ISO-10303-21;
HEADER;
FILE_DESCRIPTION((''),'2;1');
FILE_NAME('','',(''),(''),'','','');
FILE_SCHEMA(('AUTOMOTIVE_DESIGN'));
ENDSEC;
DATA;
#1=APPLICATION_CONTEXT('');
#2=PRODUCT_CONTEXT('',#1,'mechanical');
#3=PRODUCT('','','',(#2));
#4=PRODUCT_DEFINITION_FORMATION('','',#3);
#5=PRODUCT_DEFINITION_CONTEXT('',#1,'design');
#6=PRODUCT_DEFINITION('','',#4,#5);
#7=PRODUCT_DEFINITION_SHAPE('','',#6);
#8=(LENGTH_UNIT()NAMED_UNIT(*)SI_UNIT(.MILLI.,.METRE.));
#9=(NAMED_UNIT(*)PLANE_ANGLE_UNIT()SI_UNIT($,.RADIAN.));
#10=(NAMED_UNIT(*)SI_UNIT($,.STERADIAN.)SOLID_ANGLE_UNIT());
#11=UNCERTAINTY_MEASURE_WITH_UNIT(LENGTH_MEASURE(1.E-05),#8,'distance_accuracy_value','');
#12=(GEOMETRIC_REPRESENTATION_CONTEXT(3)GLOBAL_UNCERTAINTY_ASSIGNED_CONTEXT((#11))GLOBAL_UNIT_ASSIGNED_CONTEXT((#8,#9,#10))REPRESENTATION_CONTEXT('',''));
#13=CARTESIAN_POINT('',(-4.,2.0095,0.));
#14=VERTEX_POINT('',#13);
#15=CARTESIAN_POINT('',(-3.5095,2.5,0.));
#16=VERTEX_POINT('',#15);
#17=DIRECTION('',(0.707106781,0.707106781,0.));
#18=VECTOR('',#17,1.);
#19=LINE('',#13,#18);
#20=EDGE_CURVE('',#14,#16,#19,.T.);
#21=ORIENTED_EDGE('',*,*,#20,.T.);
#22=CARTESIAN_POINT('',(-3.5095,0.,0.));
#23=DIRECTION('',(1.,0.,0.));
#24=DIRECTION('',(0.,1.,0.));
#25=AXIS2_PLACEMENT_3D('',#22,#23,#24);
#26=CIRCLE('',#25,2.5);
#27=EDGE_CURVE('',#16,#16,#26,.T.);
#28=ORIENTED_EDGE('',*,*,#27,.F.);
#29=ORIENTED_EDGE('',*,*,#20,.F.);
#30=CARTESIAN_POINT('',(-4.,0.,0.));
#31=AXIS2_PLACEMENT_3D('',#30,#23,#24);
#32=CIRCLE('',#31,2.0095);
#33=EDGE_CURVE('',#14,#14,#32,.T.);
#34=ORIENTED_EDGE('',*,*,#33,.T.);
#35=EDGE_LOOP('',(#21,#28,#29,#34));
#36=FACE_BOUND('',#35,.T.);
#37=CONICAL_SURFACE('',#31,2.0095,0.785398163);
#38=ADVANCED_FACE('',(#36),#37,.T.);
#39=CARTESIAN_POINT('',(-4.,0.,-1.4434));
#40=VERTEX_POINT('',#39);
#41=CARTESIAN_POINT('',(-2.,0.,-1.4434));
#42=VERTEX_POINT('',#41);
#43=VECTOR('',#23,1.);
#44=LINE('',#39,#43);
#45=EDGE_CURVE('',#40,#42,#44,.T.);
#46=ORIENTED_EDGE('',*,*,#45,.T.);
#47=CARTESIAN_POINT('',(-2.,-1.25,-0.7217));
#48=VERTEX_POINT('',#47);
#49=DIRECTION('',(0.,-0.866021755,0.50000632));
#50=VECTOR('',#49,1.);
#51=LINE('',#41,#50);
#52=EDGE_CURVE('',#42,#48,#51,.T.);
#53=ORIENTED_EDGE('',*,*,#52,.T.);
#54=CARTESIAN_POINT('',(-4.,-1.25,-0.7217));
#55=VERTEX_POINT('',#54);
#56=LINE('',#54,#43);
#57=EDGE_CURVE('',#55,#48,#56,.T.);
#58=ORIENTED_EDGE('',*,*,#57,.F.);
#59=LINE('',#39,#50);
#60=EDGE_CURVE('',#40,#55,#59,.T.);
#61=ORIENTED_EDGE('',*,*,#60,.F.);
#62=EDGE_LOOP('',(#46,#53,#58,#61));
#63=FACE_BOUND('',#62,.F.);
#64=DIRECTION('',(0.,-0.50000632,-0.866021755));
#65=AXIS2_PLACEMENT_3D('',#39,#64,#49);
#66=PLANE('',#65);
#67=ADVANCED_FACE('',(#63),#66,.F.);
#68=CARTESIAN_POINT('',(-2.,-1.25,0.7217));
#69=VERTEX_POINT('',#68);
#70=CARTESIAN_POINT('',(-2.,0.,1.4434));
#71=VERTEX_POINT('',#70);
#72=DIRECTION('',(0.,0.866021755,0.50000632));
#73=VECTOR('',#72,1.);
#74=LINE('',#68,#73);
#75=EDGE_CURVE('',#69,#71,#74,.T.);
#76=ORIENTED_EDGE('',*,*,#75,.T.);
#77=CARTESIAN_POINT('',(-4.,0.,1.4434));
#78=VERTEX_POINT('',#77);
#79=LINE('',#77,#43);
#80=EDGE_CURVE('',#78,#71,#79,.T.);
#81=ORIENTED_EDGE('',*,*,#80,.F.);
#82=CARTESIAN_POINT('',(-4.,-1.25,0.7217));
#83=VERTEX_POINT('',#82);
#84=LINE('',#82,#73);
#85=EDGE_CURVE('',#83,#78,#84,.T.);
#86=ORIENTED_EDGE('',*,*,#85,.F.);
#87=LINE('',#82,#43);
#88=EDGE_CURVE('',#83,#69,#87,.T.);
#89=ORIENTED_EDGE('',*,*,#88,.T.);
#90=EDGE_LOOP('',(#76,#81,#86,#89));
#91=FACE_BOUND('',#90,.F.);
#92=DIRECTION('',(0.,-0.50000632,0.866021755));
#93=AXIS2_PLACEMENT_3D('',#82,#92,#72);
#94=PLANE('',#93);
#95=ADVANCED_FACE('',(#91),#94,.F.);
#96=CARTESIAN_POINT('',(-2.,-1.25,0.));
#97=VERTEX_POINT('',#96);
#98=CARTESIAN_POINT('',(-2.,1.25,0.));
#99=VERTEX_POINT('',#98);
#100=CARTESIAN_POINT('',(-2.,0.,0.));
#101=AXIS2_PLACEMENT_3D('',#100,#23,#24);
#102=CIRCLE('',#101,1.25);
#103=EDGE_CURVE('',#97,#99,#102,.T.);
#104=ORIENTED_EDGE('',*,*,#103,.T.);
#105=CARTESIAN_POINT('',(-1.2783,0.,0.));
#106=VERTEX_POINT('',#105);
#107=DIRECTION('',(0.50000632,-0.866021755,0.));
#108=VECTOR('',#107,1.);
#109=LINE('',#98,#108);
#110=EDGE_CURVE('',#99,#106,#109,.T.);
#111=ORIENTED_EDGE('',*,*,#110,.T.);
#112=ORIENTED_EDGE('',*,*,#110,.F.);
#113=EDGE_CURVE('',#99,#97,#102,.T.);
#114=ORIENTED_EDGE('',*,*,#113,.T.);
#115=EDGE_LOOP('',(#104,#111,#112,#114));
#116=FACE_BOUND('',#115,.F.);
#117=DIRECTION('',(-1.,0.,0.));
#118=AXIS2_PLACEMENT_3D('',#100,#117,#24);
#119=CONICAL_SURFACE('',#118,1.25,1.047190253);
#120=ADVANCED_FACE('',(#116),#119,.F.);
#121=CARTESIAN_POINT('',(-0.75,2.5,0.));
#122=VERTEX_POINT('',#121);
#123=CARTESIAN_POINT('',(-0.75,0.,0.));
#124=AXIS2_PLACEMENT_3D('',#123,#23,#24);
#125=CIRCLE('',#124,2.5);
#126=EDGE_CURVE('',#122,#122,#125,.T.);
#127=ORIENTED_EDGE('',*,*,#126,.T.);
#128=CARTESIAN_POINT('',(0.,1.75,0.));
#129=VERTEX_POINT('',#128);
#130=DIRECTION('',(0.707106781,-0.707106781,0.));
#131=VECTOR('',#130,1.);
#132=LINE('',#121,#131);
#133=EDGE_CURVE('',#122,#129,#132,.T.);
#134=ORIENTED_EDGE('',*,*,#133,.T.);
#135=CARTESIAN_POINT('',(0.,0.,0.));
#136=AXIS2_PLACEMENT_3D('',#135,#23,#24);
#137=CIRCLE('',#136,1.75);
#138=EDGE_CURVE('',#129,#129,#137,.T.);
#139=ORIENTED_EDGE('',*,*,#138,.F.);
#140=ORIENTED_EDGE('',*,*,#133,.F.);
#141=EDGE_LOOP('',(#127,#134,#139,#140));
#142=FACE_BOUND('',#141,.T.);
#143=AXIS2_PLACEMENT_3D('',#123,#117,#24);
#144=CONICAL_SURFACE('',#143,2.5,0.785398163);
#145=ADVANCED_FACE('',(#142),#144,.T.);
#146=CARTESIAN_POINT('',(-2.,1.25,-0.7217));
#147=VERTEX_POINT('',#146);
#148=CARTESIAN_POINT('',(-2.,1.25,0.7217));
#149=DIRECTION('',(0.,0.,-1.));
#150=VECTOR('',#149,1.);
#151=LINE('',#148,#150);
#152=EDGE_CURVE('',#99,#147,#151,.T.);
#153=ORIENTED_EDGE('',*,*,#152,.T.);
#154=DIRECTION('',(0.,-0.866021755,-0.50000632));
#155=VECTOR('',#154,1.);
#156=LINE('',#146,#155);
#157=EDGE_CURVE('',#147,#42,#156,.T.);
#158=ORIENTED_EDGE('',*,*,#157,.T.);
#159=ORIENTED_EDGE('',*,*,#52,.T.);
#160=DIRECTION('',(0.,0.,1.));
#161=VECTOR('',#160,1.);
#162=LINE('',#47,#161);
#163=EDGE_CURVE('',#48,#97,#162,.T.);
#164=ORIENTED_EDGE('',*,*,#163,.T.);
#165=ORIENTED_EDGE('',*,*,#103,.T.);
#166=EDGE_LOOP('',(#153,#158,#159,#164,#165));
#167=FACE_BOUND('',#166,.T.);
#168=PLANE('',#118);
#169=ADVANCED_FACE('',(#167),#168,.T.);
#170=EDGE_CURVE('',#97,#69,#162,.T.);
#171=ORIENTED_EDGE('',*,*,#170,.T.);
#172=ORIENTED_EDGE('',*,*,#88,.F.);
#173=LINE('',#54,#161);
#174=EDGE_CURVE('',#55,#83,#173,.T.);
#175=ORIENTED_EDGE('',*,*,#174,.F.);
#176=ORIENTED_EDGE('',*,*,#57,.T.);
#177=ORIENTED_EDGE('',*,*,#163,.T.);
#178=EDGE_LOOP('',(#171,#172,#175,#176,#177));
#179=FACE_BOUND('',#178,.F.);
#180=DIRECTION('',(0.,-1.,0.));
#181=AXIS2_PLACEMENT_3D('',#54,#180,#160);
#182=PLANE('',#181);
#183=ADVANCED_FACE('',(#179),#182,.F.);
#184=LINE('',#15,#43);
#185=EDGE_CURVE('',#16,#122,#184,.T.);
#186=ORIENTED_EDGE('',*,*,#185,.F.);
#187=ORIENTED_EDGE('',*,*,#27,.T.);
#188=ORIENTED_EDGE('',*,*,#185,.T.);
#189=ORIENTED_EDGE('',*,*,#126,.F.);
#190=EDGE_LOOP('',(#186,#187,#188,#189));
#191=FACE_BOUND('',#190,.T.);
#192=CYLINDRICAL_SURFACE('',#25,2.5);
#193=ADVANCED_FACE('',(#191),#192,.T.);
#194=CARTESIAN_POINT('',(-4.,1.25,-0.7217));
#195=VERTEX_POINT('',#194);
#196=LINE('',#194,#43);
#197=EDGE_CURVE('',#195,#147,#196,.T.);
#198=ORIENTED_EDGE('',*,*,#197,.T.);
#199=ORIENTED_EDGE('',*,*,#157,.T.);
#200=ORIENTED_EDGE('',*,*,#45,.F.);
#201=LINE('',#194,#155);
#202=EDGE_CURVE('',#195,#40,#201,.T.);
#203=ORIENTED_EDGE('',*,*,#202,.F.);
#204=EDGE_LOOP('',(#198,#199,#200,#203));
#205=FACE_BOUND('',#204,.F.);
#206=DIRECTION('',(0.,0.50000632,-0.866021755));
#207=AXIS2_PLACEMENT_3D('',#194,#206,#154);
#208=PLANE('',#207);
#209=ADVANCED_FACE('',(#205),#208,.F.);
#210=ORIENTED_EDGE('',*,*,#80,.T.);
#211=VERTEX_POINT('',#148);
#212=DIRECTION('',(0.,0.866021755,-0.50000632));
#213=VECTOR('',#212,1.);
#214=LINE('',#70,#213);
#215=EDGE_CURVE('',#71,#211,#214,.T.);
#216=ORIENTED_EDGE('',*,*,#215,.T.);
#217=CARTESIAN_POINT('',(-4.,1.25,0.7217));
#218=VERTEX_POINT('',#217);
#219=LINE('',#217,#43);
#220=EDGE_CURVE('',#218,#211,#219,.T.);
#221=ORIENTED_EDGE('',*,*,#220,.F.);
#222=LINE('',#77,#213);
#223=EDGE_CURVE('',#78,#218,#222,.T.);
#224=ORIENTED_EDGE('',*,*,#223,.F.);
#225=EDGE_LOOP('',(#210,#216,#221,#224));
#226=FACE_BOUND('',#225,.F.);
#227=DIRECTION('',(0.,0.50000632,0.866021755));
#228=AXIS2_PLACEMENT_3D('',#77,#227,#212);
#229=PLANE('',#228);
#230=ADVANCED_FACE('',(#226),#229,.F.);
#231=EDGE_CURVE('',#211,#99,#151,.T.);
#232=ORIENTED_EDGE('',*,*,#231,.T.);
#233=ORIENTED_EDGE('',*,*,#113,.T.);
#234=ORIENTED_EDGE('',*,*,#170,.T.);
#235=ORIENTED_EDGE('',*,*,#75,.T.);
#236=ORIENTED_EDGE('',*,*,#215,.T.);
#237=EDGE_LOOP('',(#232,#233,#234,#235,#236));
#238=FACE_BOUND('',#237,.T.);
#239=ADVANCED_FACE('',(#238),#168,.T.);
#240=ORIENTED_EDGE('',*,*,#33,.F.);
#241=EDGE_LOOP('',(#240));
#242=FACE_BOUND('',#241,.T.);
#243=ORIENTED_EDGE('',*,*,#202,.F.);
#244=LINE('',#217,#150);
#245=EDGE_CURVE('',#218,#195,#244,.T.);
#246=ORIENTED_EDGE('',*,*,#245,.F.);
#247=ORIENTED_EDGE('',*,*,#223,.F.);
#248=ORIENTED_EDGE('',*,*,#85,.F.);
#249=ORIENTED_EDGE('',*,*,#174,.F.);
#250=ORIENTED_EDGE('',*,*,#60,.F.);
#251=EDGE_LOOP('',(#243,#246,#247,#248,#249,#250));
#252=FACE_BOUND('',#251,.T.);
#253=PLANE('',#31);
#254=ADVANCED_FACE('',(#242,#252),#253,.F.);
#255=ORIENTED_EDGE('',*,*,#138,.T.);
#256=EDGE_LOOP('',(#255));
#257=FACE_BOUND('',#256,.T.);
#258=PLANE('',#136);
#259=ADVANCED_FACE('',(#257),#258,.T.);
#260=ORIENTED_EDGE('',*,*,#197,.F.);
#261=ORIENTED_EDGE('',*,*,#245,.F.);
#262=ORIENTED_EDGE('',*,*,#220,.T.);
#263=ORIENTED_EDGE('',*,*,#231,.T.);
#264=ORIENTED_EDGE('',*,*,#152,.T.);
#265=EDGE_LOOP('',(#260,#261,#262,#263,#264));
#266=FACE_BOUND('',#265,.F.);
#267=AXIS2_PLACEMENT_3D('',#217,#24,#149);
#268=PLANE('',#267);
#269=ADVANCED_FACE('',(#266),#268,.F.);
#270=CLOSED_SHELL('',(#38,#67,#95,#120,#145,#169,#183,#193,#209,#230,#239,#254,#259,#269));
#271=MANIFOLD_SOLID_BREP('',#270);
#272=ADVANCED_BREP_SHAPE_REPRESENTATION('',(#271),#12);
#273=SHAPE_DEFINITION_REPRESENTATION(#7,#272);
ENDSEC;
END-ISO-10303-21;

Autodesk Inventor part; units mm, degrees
sketch "Sketch_1" plane through (0, 0, 0) normal (0, 0, 1) x (1, 0, 0)
  line L0 (0, 0) -> (-4, 0)
  line L1 (-4, 0) -> (-4, 2.0095)
  line L2 (-4, 2.0095) -> (-3.5095, 2.5)
  line L3 (-3.5095, 2.5) -> (-0.75, 2.5)
  line L4 (-0.75, 2.5) -> (0, 1.75)
  line L5 (0, 1.75) -> (0, 0)
  line L6 (0, 0) -> (-4, 0)
revolve "Revolution1" add sketch "Sketch_1" angle 360 about axis through (0, 0, 0) along (1, 0, 0)
thread "Thread1" size "M5x0.8" class "6g" standard "ISO Metric profile" full length
sketch "Sketch_2" plane through (-4, 0, 0) normal (-1, 0, 0) x (0, 1, 0)
  line L0 (-1.25, 0.7217) -> (-1.25, -0.7217)
  line L1 (-1.25, -0.7217) -> (0, -1.4434)
  line L2 (0, -1.4434) -> (1.25, -0.7217)
  line L3 (1.25, -0.7217) -> (1.25, 0.7217)
  line L4 (1.25, 0.7217) -> (0, 1.4434)
  line L5 (0, 1.4434) -> (-1.25, 0.7217)
extrude "Extrusion1" cut sketch "Sketch_2" against normal blind 2
sketch "Sketch_3" plane through (0, 0, 0) normal (0, 0, 1) x (1, 0, 0)
  line L0 (-1.2783, 0) -> (-2, 0)
  line L1 (-2, 0) -> (-2, 1.25)
  line L2 (-2, 1.25) -> (-1.2783, 0)
  line L3 (-1.2783, 0) -> (-2, 0)
revolve "Revolution2" cut sketch "Sketch_3" angle 360 about axis through (-1.2783, 0, 0) along (1, 0, 0)
ref_plane "CP_XY" through (0, 0, 0) normal (1, 0, 0) x (0, 0, -1)
ref_plane "CP_YZ" through (0, 0, 0) normal (0, 0, -1) x (0, 1, 0)
ref_plane "CP_ZX" through (0, 0, 0) normal (0, 1, 0) x (1, 0, 0)
properties part number "SET-SCREW5-4"
